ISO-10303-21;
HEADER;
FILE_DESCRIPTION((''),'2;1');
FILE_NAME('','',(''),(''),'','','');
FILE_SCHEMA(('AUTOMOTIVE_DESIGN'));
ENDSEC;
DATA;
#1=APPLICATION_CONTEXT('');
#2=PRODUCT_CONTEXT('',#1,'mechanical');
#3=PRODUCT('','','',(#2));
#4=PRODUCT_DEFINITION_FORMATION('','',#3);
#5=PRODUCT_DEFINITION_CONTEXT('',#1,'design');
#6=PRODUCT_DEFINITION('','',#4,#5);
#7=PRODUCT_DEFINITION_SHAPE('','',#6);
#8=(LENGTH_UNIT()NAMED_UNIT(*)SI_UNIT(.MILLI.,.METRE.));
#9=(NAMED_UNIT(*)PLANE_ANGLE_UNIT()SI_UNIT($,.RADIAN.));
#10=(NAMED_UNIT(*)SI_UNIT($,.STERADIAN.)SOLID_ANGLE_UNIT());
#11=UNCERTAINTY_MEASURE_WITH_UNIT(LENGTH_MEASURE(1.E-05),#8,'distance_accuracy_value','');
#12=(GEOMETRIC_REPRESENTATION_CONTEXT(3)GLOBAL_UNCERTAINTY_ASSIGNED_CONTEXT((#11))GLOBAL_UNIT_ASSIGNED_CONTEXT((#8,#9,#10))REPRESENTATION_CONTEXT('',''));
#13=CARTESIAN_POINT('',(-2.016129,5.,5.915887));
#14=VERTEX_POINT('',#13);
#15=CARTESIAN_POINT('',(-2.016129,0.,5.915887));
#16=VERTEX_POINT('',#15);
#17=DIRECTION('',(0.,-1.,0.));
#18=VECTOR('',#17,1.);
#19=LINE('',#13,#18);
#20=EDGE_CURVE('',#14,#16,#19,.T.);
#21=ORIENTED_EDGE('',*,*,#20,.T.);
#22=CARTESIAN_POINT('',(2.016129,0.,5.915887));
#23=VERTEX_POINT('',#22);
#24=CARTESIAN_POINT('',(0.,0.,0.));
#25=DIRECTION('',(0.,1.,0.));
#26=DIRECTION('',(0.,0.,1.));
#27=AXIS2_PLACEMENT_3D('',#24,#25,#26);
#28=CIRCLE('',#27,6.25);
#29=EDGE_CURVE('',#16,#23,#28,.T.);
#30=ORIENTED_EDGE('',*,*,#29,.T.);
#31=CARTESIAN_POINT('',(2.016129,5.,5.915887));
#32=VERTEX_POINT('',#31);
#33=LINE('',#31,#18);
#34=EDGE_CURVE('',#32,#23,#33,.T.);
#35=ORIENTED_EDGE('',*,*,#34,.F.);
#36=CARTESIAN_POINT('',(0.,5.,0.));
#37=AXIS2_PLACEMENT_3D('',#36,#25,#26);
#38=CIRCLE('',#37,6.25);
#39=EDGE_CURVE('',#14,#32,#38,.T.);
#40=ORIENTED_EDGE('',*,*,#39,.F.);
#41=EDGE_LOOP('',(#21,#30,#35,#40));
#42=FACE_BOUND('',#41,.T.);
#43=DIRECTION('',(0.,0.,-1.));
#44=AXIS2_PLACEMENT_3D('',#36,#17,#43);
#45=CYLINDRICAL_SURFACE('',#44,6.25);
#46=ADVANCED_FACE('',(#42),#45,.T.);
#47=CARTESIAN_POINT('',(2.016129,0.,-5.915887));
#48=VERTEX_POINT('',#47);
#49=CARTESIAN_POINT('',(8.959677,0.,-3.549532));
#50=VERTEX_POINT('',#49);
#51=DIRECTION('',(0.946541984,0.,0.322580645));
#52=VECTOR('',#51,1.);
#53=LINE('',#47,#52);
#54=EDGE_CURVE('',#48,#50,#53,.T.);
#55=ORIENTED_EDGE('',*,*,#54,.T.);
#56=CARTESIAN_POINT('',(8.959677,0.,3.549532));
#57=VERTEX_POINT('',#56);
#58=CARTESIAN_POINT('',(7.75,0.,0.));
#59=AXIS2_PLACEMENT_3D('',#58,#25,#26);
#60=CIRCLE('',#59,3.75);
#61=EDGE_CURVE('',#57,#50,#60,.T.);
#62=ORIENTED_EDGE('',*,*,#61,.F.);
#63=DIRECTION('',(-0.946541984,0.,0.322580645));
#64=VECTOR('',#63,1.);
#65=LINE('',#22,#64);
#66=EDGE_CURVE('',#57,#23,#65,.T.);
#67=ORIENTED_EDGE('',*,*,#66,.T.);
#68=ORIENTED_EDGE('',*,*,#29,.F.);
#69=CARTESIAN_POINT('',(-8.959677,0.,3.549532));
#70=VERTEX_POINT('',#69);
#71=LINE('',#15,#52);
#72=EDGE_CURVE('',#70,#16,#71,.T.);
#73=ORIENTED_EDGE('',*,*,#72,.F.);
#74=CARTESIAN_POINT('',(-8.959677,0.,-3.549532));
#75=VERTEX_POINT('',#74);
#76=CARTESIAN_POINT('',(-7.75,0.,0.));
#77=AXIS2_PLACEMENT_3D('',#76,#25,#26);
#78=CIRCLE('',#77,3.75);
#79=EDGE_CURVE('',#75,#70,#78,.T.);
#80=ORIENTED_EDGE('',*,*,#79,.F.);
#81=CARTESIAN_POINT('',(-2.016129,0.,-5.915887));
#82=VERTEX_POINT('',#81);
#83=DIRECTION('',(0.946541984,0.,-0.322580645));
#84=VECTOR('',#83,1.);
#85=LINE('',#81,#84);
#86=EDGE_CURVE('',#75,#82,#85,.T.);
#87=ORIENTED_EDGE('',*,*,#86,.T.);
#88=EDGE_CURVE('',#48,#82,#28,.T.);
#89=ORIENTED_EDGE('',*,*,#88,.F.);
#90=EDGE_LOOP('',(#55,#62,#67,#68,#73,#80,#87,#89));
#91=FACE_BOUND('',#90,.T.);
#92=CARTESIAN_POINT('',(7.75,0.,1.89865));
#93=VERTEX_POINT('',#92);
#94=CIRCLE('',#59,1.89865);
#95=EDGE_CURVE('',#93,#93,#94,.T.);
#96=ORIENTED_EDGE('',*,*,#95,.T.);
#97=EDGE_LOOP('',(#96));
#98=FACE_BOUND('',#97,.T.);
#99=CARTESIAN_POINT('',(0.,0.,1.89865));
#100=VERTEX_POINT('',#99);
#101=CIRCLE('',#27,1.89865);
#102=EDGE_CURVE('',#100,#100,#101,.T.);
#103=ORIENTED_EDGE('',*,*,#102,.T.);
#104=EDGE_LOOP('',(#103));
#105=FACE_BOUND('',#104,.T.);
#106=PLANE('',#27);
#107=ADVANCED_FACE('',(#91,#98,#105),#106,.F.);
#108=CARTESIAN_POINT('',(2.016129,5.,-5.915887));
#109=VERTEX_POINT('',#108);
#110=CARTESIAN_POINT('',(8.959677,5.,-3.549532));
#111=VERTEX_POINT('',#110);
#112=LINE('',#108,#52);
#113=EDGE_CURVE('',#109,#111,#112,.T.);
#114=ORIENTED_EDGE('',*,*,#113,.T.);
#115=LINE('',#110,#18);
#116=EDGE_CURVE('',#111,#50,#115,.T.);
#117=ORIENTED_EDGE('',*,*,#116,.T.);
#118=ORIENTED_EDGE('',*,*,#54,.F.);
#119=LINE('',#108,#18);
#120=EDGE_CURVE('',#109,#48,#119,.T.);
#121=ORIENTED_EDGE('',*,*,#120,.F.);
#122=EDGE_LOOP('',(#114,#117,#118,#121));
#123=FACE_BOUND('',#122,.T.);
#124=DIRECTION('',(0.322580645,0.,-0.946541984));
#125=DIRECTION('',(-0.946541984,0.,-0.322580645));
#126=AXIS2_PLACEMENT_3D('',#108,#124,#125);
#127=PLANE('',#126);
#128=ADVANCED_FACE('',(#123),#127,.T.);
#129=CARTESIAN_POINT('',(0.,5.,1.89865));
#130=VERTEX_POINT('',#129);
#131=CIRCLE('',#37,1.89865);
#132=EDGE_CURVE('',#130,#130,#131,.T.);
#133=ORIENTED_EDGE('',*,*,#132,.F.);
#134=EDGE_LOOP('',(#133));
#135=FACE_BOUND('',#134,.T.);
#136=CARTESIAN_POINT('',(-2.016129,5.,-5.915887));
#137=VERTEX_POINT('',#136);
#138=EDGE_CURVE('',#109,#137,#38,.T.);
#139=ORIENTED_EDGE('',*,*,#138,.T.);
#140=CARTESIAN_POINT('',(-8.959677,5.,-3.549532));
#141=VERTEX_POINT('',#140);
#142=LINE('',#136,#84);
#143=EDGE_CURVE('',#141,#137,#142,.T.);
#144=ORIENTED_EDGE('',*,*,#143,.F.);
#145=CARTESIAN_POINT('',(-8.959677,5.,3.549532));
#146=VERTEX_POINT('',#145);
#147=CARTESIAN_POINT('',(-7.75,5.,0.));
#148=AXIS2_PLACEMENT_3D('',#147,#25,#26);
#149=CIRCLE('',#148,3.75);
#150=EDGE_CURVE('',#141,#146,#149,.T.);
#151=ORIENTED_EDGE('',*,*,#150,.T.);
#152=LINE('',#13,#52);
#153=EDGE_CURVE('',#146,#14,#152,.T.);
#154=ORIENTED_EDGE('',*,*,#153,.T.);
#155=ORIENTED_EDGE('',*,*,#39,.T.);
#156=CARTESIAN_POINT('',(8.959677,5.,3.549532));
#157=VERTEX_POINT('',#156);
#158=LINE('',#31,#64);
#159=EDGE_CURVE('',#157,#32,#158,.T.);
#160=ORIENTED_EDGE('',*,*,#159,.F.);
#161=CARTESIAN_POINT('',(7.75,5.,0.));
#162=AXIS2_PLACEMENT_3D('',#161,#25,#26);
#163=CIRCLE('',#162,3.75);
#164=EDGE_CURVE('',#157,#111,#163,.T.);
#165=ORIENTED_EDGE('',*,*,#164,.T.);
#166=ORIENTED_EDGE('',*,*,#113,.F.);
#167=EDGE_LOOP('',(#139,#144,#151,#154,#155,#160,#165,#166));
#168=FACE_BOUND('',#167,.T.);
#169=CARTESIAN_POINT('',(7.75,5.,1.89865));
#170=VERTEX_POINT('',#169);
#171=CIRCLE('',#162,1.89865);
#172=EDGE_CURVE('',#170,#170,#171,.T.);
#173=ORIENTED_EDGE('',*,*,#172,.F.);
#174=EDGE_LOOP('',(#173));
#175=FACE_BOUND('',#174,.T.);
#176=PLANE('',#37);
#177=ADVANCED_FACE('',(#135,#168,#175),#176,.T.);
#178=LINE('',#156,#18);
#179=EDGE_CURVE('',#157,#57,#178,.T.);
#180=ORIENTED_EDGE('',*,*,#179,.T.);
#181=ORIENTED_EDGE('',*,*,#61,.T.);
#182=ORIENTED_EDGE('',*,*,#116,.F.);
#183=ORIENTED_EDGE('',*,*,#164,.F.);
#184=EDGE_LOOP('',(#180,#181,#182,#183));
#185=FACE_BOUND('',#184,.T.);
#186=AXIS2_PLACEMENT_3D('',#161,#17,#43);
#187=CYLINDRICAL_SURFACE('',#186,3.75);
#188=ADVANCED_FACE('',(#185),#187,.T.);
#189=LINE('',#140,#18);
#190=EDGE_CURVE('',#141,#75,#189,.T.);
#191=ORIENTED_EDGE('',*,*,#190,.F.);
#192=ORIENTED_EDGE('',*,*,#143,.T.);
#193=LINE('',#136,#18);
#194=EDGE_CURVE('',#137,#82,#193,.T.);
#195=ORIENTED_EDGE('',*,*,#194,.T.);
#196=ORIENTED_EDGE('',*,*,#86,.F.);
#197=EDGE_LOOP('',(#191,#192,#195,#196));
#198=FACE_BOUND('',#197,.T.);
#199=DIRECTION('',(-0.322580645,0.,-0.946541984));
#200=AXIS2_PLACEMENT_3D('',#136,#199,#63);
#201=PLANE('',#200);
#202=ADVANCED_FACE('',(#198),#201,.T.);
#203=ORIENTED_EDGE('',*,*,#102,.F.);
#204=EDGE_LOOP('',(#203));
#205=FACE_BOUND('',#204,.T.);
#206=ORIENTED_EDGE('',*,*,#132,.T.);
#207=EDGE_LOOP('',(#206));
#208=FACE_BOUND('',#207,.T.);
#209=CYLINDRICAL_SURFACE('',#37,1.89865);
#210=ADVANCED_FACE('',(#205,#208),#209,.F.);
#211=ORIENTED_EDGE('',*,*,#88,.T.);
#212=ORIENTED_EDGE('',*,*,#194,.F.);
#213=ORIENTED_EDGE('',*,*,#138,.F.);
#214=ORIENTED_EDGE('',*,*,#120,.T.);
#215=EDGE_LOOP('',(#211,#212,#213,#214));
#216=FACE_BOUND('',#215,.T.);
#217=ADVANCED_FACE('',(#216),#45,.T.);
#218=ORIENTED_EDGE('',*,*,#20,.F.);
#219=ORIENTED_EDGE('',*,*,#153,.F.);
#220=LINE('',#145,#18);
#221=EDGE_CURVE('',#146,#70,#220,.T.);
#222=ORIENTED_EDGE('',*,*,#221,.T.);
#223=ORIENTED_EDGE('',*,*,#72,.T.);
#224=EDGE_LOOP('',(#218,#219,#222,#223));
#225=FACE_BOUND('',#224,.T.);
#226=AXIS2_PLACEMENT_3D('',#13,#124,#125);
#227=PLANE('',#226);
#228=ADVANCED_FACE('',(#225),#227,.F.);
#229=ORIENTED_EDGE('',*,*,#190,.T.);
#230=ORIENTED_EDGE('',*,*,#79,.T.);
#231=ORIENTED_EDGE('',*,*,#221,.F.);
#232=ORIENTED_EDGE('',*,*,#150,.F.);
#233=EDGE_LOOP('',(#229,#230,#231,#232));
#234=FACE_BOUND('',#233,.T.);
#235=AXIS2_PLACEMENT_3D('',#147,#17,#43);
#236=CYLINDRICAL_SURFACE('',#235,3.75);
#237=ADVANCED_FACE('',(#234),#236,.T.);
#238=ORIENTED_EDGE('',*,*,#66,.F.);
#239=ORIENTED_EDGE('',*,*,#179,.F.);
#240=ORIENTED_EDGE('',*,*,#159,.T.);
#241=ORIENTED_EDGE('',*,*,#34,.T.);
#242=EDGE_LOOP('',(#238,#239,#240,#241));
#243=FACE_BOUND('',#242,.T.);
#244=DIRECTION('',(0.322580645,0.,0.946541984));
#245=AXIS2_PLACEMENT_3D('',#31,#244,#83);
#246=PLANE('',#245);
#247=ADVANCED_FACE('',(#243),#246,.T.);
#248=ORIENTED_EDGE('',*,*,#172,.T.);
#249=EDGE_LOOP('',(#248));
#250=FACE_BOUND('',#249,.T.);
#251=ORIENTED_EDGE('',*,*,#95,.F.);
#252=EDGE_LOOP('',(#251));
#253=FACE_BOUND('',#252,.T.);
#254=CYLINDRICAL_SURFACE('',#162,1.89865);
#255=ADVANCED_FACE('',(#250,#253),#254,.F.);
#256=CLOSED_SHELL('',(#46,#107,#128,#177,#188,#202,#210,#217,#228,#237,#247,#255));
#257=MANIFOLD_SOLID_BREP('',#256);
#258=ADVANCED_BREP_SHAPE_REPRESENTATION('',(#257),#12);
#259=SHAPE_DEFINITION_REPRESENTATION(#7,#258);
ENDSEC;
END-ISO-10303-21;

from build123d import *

# Parameters (mm, degrees)
SKETCH1_R             = 6.25
SKETCH1_R_2           = 3.75
SKETCH1_R_3           = 2.5
BOSS_EXTRUDE1_DEPTH   = 5
F_6_CLEARANCE_HOLE1_D = 3.7973


with BuildPart() as part:
    # Sketch1 → Boss-Extrude1 (new body)
    # profile 1 of 15: a face of its own
    with BuildSketch(Plane(origin=(0, 0, 0), x_dir=(1, 0, 0), z_dir=(0, 1, 0))):
        Circle(SKETCH1_R)
    # profile 2 of 15: a face of its own
    with BuildSketch(Plane(origin=(0, 0, 0), x_dir=(1, 0, 0), z_dir=(0, 1, 0))):
        with Locations((-7.75, 0)):
            Circle(SKETCH1_R_2)
        with Locations((-7.75, 0)):
            Circle(SKETCH1_R_3, mode=Mode.SUBTRACT)
    # profile 3 of 15: a face of its own
    with BuildSketch(Plane(origin=(0, 0, 0), x_dir=(1, 0, 0), z_dir=(0, 1, 0))):
        Circle(SKETCH1_R)
    # profile 4 of 15: a face of its own
    with BuildSketch(Plane(origin=(0, 0, 0), x_dir=(1, 0, 0), z_dir=(0, 1, 0))):
        with Locations((-7.75, 0)):
            Circle(SKETCH1_R_2)
        with Locations((-7.75, 0)):
            Circle(SKETCH1_R_3, mode=Mode.SUBTRACT)
    # profile 5 of 15: a face of its own
    with BuildSketch(Plane(origin=(0, 0, 0), x_dir=(1, 0, 0), z_dir=(0, 1, 0))):
        with Locations((7.75, 0)):
            Circle(SKETCH1_R_2)
    # profile 6 of 15: a face of its own
    with BuildSketch(Plane(origin=(0, 0, 0), x_dir=(1, 0, 0), z_dir=(0, 1, 0))):
        Circle(SKETCH1_R)
    # profile 7 of 15: a face of its own
    with BuildSketch(Plane(origin=(0, 0, 0), x_dir=(1, 0, 0), z_dir=(0, 1, 0))):
        with Locations((-7.75, 0)):
            Circle(SKETCH1_R_2)
    # profile 8 of 15: a face of its own
    with BuildSketch(Plane(origin=(0, 0, 0), x_dir=(1, 0, 0), z_dir=(0, 1, 0))):
        with BuildLine():
            ThreePointArc((-5.487903226, -2.990889196), (-7.15425073, -3.702375293), (-8.959677419, -3.54953244))
            Line((-8.959677419, -3.54953244), (-2.016129032, -5.9158874))
            ThreePointArc((-2.016129032, -5.9158874), (-4.026975125, -4.77974595), (-5.487903226, -2.990889196))
        make_face()
    # profile 9 of 15: a face of its own
    with BuildSketch(Plane(origin=(0, 0, 0), x_dir=(1, 0, 0), z_dir=(0, 1, 0))):
        with BuildLine():
            ThreePointArc((5.487903226, -2.990889196), (4.026975125, -4.77974595), (2.016129032, -5.9158874))
            Line((2.016129032, -5.9158874), (8.959677419, -3.54953244))
            ThreePointArc((8.959677419, -3.54953244), (7.15425073, -3.702375293), (5.487903226, -2.990889196))
        make_face()
    # profile 10 of 15: a face of its own
    with BuildSketch(Plane(origin=(0, 0, 0), x_dir=(1, 0, 0), z_dir=(0, 1, 0))):
        Circle(SKETCH1_R)
    # profile 11 of 15: a face of its own
    with BuildSketch(Plane(origin=(0, 0, 0), x_dir=(1, 0, 0), z_dir=(0, 1, 0))):
        with Locations((7.75, 0)):
            Circle(SKETCH1_R_2)
        with Locations((7.75, 0)):
            Circle(SKETCH1_R_3, mode=Mode.SUBTRACT)
    # profile 12 of 15: a face of its own
    with BuildSketch(Plane(origin=(0, 0, 0), x_dir=(1, 0, 0), z_dir=(0, 1, 0))):
        with Locations((7.75, 0)):
            Circle(SKETCH1_R_2)
        with Locations((7.75, 0)):
            Circle(SKETCH1_R_3, mode=Mode.SUBTRACT)
    # profile 13 of 15: a face of its own
    with BuildSketch(Plane(origin=(0, 0, 0), x_dir=(1, 0, 0), z_dir=(0, 1, 0))):
        Circle(SKETCH1_R)
    # profile 14 of 15: a face of its own
    with BuildSketch(Plane(origin=(0, 0, 0), x_dir=(1, 0, 0), z_dir=(0, 1, 0))):
        with BuildLine():
            Line((8.959677419, 3.54953244), (2.016129032, 5.9158874))
            ThreePointArc((2.016129032, 5.9158874), (4.026975125, 4.77974595), (5.487903226, 2.990889196))
            ThreePointArc((5.487903226, 2.990889196), (7.15425073, 3.702375293), (8.959677419, 3.54953244))
        make_face()
    # profile 15 of 15: a face of its own
    with BuildSketch(Plane(origin=(0, 0, 0), x_dir=(1, 0, 0), z_dir=(0, 1, 0))):
        with BuildLine():
            Line((-2.016129032, 5.9158874), (-8.959677419, 3.54953244))
            ThreePointArc((-8.959677419, 3.54953244), (-7.15425073, 3.702375293), (-5.487903226, 2.990889196))
            ThreePointArc((-5.487903226, 2.990889196), (-4.026975125, 4.77974595), (-2.016129032, 5.9158874))
        make_face()
    extrude(amount=BOSS_EXTRUDE1_DEPTH)

    # #6 Clearance Hole1 (through all)
    with Locations(Plane(origin=(0, 5, 0), x_dir=(1, 0, 0), z_dir=(0, 1, 0))):
        with Locations((7.75, 0), (0, 0)):
            Hole(F_6_CLEARANCE_HOLE1_D / 2)


solid = part.part
